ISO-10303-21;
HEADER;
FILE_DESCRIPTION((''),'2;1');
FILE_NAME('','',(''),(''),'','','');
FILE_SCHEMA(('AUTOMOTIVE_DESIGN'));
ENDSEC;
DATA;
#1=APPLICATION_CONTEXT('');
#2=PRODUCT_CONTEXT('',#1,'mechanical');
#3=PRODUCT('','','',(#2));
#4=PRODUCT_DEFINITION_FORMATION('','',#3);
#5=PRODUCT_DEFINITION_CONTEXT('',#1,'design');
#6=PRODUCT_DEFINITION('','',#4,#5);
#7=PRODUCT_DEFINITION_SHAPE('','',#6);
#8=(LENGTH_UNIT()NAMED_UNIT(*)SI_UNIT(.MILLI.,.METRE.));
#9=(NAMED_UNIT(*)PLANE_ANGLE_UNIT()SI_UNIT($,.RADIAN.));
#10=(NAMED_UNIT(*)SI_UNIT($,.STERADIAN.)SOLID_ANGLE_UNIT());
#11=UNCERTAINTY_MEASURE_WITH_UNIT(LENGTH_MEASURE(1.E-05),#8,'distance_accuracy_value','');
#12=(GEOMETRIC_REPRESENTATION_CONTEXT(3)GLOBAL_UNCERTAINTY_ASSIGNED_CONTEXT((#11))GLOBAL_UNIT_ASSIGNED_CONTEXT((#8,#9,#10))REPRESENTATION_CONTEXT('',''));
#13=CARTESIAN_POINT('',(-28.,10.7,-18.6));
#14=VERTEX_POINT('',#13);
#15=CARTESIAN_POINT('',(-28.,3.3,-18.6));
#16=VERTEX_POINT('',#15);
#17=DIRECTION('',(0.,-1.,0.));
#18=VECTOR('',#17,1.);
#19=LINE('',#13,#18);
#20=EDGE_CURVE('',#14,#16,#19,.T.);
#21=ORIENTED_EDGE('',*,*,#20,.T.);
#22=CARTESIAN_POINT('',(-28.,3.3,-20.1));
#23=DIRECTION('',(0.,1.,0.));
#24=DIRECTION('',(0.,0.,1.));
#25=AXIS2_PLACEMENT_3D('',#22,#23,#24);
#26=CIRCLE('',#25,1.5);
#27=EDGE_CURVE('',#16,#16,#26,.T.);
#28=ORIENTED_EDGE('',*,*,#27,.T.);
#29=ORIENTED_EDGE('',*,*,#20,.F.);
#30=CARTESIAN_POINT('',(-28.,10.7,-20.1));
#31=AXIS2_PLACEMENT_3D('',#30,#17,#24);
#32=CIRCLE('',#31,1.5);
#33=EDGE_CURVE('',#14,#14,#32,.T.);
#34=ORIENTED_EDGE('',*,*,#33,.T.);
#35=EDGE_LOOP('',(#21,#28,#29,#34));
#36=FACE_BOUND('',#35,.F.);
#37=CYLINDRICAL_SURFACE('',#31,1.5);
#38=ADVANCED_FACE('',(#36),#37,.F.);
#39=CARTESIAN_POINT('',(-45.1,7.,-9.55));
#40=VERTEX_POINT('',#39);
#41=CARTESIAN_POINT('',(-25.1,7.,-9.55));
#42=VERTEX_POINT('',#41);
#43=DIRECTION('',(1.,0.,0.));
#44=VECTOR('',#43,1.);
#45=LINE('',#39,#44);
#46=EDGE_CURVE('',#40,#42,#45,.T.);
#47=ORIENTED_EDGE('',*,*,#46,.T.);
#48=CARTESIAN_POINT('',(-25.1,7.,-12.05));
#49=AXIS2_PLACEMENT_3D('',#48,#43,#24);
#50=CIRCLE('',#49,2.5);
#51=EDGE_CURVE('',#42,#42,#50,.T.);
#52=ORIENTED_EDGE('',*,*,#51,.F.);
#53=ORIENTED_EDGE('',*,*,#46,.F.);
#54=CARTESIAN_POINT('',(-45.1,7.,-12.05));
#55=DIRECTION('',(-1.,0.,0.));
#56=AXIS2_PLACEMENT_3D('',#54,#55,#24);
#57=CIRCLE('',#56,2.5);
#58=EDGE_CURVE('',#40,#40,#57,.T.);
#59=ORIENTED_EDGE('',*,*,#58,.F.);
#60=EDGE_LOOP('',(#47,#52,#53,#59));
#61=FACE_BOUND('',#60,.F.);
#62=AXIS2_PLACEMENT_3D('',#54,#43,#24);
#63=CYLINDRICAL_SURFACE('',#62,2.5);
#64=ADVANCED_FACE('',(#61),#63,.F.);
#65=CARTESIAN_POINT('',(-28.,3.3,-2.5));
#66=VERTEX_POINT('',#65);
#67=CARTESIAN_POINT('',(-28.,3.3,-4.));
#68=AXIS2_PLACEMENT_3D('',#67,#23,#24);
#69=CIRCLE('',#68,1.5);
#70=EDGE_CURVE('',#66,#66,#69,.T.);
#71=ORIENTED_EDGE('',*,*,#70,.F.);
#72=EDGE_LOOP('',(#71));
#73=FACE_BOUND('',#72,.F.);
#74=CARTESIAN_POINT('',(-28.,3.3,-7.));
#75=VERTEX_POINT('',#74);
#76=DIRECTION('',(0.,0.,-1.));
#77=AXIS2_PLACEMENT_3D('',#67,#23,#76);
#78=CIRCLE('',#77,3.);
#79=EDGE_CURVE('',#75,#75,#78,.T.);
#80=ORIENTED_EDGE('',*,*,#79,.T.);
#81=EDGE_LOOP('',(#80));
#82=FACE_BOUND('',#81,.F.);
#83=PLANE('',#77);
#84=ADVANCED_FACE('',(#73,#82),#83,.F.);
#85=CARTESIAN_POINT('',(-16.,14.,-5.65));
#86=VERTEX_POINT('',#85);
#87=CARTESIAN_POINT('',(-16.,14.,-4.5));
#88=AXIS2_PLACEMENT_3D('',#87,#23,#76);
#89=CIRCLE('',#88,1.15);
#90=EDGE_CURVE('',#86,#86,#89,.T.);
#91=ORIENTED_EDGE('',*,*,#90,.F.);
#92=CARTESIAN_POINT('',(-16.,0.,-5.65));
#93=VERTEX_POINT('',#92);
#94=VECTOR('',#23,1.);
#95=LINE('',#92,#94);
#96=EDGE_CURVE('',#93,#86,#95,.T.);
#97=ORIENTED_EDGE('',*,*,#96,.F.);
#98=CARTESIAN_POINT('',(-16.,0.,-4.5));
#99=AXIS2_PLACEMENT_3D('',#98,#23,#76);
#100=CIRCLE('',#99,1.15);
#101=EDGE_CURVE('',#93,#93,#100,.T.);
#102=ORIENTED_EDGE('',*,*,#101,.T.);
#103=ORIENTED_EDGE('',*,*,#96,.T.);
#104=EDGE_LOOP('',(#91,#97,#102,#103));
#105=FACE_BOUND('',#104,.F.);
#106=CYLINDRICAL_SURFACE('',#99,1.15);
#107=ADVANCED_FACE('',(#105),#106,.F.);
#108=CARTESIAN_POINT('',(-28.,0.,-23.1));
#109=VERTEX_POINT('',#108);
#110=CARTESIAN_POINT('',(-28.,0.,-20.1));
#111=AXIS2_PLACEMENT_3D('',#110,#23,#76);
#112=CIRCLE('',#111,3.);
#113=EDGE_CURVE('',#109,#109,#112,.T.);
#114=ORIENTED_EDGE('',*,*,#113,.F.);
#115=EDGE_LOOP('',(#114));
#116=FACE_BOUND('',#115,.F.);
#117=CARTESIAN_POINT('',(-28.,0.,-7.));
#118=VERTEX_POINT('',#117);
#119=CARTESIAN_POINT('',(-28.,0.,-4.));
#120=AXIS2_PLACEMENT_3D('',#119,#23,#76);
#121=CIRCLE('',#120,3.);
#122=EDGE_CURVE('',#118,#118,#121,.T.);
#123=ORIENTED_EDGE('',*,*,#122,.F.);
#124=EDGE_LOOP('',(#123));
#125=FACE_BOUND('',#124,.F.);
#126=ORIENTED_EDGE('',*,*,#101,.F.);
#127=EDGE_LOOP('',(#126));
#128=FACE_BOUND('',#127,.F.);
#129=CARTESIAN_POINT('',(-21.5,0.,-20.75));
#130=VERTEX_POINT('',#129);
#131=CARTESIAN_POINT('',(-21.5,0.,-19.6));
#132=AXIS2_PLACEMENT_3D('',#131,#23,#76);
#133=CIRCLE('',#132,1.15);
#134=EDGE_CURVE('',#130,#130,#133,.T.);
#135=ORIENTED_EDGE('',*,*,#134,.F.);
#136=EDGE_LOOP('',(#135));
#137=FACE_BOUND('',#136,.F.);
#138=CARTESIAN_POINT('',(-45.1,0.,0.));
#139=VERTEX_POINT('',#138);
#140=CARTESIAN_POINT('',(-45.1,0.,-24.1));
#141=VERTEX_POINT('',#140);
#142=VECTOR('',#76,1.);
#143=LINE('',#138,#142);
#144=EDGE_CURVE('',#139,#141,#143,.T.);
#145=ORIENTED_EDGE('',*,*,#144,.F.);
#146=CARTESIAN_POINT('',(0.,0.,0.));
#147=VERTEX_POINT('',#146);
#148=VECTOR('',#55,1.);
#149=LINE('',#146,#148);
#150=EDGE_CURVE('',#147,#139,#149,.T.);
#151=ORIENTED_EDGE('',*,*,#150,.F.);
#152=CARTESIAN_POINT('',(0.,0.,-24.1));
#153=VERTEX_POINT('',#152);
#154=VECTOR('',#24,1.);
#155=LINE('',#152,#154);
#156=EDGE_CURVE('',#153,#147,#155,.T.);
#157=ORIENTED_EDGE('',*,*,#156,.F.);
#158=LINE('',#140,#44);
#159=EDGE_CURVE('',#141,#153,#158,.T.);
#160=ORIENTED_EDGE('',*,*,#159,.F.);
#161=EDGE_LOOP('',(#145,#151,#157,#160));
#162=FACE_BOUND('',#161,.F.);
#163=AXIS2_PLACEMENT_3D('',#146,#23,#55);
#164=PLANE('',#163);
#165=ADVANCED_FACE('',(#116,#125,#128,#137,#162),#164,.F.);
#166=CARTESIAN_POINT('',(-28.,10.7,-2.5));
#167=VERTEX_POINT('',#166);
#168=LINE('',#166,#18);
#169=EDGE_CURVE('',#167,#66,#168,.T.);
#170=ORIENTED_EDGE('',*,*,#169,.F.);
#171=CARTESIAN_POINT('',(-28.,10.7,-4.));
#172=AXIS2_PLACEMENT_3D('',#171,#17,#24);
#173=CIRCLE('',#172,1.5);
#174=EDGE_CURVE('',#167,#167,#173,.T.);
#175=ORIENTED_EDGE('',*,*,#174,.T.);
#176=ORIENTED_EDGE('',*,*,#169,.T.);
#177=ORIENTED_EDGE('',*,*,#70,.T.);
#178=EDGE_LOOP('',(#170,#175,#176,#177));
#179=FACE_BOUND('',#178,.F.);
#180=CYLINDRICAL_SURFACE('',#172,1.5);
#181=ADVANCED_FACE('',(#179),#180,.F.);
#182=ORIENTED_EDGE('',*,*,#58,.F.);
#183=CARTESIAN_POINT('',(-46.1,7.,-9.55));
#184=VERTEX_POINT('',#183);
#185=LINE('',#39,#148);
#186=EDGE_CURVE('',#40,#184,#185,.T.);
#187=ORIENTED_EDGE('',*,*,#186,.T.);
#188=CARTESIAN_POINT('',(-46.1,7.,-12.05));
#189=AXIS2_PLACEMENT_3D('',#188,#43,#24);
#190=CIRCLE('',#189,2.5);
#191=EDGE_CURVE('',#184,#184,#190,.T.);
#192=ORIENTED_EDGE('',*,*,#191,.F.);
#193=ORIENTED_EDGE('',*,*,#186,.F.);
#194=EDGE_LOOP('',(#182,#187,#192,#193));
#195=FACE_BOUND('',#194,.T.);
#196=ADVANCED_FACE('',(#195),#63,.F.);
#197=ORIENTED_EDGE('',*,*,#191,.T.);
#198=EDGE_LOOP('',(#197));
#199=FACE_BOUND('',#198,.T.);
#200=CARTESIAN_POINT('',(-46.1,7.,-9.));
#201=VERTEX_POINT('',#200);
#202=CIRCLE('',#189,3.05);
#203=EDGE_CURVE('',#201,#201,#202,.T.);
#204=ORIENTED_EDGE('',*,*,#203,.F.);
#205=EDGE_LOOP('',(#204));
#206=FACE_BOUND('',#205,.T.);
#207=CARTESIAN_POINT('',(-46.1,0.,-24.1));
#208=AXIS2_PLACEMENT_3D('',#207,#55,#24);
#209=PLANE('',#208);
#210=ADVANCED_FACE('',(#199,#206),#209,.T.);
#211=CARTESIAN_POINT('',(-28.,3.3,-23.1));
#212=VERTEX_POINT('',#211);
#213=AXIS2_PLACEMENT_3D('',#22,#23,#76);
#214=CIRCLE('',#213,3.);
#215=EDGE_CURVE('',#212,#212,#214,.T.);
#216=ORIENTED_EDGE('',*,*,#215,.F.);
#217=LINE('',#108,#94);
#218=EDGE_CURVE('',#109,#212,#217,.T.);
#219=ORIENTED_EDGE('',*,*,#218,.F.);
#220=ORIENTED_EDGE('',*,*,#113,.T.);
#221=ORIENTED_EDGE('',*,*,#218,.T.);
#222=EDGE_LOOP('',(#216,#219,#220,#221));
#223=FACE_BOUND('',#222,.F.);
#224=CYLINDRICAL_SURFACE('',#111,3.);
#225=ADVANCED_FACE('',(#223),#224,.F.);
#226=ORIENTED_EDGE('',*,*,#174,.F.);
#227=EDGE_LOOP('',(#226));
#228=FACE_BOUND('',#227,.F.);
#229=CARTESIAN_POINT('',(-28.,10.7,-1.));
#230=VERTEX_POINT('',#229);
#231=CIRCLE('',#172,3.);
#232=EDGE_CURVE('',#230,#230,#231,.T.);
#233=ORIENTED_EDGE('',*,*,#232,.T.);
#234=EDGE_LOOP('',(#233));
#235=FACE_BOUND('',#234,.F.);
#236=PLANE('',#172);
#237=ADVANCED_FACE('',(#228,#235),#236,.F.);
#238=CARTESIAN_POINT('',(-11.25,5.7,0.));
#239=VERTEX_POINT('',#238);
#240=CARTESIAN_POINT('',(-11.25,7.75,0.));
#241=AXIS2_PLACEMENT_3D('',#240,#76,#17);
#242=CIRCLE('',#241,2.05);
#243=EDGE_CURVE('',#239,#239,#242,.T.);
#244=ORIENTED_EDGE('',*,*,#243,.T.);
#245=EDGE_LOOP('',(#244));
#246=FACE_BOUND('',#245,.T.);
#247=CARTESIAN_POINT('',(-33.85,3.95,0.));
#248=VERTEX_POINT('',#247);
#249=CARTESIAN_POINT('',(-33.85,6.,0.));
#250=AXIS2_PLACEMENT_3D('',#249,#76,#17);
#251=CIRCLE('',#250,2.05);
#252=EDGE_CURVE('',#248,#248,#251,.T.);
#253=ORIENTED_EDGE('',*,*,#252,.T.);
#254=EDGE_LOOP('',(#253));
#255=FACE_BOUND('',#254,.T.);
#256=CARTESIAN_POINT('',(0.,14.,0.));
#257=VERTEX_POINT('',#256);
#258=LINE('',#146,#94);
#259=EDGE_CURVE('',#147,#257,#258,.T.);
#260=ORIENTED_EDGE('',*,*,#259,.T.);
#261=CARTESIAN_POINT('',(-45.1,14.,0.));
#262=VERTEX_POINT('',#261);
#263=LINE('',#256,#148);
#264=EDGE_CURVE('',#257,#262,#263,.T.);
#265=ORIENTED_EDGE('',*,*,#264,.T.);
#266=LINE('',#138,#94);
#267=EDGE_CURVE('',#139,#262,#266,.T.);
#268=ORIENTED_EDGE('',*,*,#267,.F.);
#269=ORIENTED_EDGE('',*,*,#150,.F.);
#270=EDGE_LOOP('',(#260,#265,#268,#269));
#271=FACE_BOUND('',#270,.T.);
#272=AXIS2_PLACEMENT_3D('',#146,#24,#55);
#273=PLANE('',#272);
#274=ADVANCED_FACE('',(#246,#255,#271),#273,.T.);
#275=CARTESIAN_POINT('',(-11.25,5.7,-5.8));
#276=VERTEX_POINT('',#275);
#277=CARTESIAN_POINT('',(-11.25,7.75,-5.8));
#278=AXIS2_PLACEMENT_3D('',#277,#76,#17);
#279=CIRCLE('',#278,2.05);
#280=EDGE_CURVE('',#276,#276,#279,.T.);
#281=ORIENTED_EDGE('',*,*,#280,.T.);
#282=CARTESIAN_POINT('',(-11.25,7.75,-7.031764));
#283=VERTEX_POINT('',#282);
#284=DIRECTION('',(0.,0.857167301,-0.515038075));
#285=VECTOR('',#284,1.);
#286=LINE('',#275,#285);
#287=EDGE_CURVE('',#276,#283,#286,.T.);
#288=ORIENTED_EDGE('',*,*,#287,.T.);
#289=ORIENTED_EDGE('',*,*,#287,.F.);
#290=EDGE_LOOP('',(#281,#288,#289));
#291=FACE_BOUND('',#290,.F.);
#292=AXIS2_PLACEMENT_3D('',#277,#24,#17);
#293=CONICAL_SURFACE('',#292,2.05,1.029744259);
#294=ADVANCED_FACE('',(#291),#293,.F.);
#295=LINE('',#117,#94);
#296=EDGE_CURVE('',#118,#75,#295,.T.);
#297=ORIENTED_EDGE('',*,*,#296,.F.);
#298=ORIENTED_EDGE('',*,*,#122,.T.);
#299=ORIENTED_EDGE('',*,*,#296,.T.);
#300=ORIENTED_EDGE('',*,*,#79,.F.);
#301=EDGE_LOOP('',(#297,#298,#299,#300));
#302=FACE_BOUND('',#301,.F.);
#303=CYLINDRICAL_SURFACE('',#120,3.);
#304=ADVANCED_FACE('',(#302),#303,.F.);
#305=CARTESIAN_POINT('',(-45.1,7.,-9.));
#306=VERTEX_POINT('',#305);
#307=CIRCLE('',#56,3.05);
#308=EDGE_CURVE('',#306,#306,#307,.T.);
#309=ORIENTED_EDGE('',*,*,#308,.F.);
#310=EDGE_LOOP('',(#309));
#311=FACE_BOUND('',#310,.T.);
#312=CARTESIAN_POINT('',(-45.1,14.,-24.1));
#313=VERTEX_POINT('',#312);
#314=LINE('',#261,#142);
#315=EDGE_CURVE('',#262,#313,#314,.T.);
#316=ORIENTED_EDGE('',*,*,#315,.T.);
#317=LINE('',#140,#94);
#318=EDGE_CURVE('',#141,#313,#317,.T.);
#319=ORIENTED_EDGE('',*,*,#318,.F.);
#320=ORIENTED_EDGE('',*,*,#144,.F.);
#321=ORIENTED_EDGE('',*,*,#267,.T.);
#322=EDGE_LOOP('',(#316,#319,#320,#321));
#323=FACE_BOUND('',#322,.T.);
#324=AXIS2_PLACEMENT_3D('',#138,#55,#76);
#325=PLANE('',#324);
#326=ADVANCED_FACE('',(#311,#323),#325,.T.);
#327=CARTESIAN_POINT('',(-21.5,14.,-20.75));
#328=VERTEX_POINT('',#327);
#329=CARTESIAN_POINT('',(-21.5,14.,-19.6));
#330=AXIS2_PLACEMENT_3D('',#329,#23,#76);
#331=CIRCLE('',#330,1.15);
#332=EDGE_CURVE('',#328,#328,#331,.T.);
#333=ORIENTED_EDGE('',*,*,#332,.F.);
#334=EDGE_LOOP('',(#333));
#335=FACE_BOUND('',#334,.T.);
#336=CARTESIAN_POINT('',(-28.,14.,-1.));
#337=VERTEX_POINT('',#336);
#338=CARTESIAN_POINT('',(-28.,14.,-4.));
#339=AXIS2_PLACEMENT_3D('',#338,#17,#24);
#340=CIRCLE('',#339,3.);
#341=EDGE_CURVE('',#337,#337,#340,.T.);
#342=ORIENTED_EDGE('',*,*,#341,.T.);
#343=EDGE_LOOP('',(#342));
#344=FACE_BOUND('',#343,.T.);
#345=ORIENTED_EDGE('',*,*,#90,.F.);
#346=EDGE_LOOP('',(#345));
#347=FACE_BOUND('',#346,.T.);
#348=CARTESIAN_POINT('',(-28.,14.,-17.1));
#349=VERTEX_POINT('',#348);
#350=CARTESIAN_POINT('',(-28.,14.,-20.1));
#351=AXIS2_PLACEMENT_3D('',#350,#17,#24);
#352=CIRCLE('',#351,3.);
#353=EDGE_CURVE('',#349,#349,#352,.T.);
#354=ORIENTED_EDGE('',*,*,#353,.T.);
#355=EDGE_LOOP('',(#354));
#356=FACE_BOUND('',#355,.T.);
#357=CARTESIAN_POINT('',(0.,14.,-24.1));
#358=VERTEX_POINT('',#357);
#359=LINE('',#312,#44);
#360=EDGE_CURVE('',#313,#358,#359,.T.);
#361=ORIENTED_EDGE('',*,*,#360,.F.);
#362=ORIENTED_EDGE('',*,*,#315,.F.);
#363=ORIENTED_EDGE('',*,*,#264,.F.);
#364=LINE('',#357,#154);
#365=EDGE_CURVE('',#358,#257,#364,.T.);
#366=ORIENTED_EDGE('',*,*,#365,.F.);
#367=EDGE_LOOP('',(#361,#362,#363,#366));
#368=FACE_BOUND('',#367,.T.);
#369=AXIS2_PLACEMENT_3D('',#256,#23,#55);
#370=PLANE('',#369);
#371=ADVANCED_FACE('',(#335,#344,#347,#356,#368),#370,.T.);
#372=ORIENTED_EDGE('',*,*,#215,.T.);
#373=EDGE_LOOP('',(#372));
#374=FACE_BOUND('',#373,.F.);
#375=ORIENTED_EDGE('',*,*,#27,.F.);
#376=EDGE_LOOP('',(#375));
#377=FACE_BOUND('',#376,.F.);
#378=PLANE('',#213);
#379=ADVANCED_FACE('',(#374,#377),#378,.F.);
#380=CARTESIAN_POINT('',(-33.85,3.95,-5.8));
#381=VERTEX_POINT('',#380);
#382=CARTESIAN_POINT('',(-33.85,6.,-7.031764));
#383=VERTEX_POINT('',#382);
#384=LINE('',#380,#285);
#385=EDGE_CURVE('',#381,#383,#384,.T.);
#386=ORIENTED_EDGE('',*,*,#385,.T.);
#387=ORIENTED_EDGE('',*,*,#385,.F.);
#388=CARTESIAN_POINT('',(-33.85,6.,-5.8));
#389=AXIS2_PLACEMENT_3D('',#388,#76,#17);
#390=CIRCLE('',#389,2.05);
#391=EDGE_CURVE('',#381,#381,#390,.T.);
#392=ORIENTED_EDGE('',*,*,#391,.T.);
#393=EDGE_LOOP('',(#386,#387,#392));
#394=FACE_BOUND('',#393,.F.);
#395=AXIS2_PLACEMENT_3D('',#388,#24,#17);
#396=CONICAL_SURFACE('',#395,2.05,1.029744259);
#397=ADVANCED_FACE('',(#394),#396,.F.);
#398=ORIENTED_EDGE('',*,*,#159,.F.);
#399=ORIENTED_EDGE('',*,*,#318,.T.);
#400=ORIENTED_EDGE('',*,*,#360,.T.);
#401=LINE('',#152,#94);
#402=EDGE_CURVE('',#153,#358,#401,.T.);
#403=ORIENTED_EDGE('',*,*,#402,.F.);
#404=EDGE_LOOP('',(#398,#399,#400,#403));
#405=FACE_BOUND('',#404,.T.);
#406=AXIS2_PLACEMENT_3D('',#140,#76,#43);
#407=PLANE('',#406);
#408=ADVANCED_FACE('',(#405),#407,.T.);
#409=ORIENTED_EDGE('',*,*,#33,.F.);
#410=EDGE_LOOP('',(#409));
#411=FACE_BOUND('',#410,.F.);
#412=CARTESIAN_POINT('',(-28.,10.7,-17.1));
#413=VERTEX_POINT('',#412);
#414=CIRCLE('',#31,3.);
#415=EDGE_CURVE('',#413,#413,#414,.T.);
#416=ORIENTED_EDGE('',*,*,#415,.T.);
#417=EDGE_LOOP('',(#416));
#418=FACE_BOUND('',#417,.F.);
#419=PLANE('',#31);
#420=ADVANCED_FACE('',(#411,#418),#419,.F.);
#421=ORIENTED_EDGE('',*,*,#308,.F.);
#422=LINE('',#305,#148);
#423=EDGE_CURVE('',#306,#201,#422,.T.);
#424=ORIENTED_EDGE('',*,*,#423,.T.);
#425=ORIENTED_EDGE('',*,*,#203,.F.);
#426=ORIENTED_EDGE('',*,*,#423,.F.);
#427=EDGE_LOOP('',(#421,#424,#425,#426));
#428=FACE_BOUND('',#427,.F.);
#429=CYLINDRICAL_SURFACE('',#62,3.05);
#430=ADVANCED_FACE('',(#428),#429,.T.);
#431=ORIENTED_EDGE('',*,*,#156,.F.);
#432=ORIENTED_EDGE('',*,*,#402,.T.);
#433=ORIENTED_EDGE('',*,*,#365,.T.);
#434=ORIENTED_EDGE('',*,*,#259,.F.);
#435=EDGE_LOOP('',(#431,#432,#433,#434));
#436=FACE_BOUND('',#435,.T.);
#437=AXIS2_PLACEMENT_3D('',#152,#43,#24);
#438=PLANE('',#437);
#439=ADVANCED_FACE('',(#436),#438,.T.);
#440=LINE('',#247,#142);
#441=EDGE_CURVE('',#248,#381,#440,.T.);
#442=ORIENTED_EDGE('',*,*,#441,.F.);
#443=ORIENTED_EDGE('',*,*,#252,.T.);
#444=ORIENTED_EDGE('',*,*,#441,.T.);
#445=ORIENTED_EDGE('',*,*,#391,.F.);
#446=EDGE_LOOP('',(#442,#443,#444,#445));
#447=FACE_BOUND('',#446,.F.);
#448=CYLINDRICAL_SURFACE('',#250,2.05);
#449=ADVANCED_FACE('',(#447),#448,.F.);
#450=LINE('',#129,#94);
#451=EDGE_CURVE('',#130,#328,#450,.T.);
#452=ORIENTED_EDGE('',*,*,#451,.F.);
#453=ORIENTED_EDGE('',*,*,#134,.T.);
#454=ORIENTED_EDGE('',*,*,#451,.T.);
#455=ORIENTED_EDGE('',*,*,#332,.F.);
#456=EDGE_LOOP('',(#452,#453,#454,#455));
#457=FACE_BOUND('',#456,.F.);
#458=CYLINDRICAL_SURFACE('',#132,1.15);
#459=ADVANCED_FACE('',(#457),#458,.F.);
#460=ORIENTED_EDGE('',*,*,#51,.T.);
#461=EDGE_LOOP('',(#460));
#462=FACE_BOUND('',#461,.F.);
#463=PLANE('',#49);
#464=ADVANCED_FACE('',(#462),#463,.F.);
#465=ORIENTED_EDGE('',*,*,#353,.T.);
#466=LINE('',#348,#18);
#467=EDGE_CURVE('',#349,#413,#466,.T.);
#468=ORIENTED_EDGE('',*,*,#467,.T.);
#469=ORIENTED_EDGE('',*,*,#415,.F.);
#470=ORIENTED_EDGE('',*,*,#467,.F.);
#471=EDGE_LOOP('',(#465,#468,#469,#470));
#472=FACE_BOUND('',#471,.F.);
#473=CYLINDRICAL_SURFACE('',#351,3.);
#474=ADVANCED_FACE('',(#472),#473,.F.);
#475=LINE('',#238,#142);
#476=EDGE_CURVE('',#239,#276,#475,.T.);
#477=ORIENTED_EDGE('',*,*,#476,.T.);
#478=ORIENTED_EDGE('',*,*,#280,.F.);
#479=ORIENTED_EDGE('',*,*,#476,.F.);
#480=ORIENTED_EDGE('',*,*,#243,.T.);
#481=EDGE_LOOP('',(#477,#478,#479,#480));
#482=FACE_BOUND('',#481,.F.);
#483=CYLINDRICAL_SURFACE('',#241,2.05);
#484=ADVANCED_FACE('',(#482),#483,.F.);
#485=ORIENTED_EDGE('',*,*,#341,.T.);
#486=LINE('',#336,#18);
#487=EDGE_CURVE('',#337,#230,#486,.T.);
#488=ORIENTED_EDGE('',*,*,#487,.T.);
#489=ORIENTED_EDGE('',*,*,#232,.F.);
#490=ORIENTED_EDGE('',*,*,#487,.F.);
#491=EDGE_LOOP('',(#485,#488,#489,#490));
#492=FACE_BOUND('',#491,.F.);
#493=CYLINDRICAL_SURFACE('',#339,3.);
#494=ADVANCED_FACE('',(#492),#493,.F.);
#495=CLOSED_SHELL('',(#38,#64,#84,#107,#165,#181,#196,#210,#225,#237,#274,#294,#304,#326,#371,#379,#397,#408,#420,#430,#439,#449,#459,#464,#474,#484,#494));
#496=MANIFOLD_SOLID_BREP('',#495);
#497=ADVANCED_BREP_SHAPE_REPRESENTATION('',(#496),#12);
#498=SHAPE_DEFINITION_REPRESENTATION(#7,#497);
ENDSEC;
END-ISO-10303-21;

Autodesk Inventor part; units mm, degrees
ref_plane "YZ Plane" through (0, 0, 0) normal (1, 0, 0) x (0, 1, 0)
ref_plane "XZ Plane" through (0, 0, 0) normal (0, 1, 0) x (-1, 0, 0)
ref_plane "XY Plane" through (0, 0, 0) normal (0, 0, 1) x (1, 0, 0)
sketch "スケッチ1" plane through (0, 0, 0) normal (0, 1, 0) x (-1, 0, 0)
  line L0 (0, 0) -> (45.1, 0)
  line L1 (45.1, 0) -> (45.1, -24.1)
  line L2 (45.1, -24.1) -> (0, -24.1)
  line L3 (0, -24.1) -> (0, 0)
  dimension "d0" = 45.1
  dimension "d1" = 24.1
extrude "押し出し1" add sketch "スケッチ1" along normal blind 14
sketch "スケッチ2" plane through (0, 14, 0) normal (0, 1, 0) x (1, 0, 0)
  line L0 (-45.1, 0) -> (0, 0) projected
  line L1 (-28, 0) -> (-28, 24.1)
  line L2 (0, 24.1) -> (-45.1, 24.1) projected
  point P0 (-28, 4)
  point P1 (-28, 20.1)
  dimension "d4" = 4
  dimension "d5" = 4
hole "穴1" at (-28, 14, -4) at (-28, 14, -20.1) direction (0, -1, 0) diameter 3 end through all counterbore diameter 6 counterbore depth 3.3
sketch "スケッチ3" plane through (0, 0, 0) normal (0, -1, 0) x (1, 0, 0)
  circle A0 centre (-28, -20.1) radius 1.5 projected
  line L0 (-28, -20.1) -> (-28, 0)
  circle A1 centre (-28, -20.1) radius 3 projected
  circle A2 centre (-28, -4) radius 1.5 projected
  point P0 (0, 0)
hole "穴2" at (-28, 0, -20.1) at (-28, 0, -4) direction (0, 1, 0) diameter 3 end through all counterbore diameter 6 counterbore depth 3.3
sketch "スケッチ4" plane through (0, 0, 0) normal (0, -1, 0) x (1, 0, 0)
  line L0 (0, 0) -> (-45.1, 0) projected
  line L1 (-16, 0) -> (-16, -23.8904)
  line L2 (0, -24.1) -> (-45.1, -24.1) projected
  line L3 (-21.5, -24.1) -> (-21.5, 0)
  point P0 (-16, -4.5)
  point P1 (-21.5, -19.6)
  dimension "d20" = 4.5
  dimension "d21" = 4.5
hole "穴3" at (-16, 0, -4.5) at (-21.5, 0, -19.6) direction (0, 1, 0) diameter 2.3 end through all
sketch "スケッチ5" plane through (-45.1, 0, -24.1) normal (-1, 0, 0) x (0, 0, 1)
  line L0 (0, 14) -> (24.1, 14) projected
  line L1 (12.05, 14) -> (12.05, 0)
  circle A0 centre (12.05, 7) radius 3.05
  circle A1 centre (12.05, 7) radius 2.5
  point P0 (24.1, 0)
  dimension "d40" = 6.1
  dimension "d41" = 5
sketch "スケッチ6" plane through (-45.1, 0, 0) normal (0, 0, 1) x (1, 0, 0)
  line L0 (11.25, 13.7757) -> (11.25, 0)
  line L1 (0, 0) -> (0, 14) projected
  line L2 (45.1, 0) -> (0, 0) projected
  line L3 (45.1, 14) -> (0, 14) projected
  line L4 (33.85, 14) -> (33.85, 0)
  line L5 (45.1, 0) -> (45.1, 14) projected
  point P0 (11.25, 6)
  point P1 (33.85, 7.75)
  dimension "d29" = 11.25
  dimension "d30" = 6
  dimension "d31" = 11.25
  dimension "d32" = 6.25
hole "穴4" at (-11.25, 7.75, 0) at (-33.85, 6, 0) direction (0, 0, -1) diameter 4.1 depth 5.8 tip angle 118
extrude "押し出し2" add sketch "スケッチ5" along normal blind 1 contours A0 L1 A1 | L1 A1 A0
sketch "スケッチ8" plane through (-45.1, 0, -24.1) normal (-1, 0, 0) x (0, 0, 1)
  circle A0 centre (12.05, 7) radius 3.05 projected
  point P0 (24.1, 0)
hole "穴5" at (-45.1, 7, -12.05) direction (1, 0, 0) diameter 5 depth 20
properties part number "KOGANEI_BDA10X15"
